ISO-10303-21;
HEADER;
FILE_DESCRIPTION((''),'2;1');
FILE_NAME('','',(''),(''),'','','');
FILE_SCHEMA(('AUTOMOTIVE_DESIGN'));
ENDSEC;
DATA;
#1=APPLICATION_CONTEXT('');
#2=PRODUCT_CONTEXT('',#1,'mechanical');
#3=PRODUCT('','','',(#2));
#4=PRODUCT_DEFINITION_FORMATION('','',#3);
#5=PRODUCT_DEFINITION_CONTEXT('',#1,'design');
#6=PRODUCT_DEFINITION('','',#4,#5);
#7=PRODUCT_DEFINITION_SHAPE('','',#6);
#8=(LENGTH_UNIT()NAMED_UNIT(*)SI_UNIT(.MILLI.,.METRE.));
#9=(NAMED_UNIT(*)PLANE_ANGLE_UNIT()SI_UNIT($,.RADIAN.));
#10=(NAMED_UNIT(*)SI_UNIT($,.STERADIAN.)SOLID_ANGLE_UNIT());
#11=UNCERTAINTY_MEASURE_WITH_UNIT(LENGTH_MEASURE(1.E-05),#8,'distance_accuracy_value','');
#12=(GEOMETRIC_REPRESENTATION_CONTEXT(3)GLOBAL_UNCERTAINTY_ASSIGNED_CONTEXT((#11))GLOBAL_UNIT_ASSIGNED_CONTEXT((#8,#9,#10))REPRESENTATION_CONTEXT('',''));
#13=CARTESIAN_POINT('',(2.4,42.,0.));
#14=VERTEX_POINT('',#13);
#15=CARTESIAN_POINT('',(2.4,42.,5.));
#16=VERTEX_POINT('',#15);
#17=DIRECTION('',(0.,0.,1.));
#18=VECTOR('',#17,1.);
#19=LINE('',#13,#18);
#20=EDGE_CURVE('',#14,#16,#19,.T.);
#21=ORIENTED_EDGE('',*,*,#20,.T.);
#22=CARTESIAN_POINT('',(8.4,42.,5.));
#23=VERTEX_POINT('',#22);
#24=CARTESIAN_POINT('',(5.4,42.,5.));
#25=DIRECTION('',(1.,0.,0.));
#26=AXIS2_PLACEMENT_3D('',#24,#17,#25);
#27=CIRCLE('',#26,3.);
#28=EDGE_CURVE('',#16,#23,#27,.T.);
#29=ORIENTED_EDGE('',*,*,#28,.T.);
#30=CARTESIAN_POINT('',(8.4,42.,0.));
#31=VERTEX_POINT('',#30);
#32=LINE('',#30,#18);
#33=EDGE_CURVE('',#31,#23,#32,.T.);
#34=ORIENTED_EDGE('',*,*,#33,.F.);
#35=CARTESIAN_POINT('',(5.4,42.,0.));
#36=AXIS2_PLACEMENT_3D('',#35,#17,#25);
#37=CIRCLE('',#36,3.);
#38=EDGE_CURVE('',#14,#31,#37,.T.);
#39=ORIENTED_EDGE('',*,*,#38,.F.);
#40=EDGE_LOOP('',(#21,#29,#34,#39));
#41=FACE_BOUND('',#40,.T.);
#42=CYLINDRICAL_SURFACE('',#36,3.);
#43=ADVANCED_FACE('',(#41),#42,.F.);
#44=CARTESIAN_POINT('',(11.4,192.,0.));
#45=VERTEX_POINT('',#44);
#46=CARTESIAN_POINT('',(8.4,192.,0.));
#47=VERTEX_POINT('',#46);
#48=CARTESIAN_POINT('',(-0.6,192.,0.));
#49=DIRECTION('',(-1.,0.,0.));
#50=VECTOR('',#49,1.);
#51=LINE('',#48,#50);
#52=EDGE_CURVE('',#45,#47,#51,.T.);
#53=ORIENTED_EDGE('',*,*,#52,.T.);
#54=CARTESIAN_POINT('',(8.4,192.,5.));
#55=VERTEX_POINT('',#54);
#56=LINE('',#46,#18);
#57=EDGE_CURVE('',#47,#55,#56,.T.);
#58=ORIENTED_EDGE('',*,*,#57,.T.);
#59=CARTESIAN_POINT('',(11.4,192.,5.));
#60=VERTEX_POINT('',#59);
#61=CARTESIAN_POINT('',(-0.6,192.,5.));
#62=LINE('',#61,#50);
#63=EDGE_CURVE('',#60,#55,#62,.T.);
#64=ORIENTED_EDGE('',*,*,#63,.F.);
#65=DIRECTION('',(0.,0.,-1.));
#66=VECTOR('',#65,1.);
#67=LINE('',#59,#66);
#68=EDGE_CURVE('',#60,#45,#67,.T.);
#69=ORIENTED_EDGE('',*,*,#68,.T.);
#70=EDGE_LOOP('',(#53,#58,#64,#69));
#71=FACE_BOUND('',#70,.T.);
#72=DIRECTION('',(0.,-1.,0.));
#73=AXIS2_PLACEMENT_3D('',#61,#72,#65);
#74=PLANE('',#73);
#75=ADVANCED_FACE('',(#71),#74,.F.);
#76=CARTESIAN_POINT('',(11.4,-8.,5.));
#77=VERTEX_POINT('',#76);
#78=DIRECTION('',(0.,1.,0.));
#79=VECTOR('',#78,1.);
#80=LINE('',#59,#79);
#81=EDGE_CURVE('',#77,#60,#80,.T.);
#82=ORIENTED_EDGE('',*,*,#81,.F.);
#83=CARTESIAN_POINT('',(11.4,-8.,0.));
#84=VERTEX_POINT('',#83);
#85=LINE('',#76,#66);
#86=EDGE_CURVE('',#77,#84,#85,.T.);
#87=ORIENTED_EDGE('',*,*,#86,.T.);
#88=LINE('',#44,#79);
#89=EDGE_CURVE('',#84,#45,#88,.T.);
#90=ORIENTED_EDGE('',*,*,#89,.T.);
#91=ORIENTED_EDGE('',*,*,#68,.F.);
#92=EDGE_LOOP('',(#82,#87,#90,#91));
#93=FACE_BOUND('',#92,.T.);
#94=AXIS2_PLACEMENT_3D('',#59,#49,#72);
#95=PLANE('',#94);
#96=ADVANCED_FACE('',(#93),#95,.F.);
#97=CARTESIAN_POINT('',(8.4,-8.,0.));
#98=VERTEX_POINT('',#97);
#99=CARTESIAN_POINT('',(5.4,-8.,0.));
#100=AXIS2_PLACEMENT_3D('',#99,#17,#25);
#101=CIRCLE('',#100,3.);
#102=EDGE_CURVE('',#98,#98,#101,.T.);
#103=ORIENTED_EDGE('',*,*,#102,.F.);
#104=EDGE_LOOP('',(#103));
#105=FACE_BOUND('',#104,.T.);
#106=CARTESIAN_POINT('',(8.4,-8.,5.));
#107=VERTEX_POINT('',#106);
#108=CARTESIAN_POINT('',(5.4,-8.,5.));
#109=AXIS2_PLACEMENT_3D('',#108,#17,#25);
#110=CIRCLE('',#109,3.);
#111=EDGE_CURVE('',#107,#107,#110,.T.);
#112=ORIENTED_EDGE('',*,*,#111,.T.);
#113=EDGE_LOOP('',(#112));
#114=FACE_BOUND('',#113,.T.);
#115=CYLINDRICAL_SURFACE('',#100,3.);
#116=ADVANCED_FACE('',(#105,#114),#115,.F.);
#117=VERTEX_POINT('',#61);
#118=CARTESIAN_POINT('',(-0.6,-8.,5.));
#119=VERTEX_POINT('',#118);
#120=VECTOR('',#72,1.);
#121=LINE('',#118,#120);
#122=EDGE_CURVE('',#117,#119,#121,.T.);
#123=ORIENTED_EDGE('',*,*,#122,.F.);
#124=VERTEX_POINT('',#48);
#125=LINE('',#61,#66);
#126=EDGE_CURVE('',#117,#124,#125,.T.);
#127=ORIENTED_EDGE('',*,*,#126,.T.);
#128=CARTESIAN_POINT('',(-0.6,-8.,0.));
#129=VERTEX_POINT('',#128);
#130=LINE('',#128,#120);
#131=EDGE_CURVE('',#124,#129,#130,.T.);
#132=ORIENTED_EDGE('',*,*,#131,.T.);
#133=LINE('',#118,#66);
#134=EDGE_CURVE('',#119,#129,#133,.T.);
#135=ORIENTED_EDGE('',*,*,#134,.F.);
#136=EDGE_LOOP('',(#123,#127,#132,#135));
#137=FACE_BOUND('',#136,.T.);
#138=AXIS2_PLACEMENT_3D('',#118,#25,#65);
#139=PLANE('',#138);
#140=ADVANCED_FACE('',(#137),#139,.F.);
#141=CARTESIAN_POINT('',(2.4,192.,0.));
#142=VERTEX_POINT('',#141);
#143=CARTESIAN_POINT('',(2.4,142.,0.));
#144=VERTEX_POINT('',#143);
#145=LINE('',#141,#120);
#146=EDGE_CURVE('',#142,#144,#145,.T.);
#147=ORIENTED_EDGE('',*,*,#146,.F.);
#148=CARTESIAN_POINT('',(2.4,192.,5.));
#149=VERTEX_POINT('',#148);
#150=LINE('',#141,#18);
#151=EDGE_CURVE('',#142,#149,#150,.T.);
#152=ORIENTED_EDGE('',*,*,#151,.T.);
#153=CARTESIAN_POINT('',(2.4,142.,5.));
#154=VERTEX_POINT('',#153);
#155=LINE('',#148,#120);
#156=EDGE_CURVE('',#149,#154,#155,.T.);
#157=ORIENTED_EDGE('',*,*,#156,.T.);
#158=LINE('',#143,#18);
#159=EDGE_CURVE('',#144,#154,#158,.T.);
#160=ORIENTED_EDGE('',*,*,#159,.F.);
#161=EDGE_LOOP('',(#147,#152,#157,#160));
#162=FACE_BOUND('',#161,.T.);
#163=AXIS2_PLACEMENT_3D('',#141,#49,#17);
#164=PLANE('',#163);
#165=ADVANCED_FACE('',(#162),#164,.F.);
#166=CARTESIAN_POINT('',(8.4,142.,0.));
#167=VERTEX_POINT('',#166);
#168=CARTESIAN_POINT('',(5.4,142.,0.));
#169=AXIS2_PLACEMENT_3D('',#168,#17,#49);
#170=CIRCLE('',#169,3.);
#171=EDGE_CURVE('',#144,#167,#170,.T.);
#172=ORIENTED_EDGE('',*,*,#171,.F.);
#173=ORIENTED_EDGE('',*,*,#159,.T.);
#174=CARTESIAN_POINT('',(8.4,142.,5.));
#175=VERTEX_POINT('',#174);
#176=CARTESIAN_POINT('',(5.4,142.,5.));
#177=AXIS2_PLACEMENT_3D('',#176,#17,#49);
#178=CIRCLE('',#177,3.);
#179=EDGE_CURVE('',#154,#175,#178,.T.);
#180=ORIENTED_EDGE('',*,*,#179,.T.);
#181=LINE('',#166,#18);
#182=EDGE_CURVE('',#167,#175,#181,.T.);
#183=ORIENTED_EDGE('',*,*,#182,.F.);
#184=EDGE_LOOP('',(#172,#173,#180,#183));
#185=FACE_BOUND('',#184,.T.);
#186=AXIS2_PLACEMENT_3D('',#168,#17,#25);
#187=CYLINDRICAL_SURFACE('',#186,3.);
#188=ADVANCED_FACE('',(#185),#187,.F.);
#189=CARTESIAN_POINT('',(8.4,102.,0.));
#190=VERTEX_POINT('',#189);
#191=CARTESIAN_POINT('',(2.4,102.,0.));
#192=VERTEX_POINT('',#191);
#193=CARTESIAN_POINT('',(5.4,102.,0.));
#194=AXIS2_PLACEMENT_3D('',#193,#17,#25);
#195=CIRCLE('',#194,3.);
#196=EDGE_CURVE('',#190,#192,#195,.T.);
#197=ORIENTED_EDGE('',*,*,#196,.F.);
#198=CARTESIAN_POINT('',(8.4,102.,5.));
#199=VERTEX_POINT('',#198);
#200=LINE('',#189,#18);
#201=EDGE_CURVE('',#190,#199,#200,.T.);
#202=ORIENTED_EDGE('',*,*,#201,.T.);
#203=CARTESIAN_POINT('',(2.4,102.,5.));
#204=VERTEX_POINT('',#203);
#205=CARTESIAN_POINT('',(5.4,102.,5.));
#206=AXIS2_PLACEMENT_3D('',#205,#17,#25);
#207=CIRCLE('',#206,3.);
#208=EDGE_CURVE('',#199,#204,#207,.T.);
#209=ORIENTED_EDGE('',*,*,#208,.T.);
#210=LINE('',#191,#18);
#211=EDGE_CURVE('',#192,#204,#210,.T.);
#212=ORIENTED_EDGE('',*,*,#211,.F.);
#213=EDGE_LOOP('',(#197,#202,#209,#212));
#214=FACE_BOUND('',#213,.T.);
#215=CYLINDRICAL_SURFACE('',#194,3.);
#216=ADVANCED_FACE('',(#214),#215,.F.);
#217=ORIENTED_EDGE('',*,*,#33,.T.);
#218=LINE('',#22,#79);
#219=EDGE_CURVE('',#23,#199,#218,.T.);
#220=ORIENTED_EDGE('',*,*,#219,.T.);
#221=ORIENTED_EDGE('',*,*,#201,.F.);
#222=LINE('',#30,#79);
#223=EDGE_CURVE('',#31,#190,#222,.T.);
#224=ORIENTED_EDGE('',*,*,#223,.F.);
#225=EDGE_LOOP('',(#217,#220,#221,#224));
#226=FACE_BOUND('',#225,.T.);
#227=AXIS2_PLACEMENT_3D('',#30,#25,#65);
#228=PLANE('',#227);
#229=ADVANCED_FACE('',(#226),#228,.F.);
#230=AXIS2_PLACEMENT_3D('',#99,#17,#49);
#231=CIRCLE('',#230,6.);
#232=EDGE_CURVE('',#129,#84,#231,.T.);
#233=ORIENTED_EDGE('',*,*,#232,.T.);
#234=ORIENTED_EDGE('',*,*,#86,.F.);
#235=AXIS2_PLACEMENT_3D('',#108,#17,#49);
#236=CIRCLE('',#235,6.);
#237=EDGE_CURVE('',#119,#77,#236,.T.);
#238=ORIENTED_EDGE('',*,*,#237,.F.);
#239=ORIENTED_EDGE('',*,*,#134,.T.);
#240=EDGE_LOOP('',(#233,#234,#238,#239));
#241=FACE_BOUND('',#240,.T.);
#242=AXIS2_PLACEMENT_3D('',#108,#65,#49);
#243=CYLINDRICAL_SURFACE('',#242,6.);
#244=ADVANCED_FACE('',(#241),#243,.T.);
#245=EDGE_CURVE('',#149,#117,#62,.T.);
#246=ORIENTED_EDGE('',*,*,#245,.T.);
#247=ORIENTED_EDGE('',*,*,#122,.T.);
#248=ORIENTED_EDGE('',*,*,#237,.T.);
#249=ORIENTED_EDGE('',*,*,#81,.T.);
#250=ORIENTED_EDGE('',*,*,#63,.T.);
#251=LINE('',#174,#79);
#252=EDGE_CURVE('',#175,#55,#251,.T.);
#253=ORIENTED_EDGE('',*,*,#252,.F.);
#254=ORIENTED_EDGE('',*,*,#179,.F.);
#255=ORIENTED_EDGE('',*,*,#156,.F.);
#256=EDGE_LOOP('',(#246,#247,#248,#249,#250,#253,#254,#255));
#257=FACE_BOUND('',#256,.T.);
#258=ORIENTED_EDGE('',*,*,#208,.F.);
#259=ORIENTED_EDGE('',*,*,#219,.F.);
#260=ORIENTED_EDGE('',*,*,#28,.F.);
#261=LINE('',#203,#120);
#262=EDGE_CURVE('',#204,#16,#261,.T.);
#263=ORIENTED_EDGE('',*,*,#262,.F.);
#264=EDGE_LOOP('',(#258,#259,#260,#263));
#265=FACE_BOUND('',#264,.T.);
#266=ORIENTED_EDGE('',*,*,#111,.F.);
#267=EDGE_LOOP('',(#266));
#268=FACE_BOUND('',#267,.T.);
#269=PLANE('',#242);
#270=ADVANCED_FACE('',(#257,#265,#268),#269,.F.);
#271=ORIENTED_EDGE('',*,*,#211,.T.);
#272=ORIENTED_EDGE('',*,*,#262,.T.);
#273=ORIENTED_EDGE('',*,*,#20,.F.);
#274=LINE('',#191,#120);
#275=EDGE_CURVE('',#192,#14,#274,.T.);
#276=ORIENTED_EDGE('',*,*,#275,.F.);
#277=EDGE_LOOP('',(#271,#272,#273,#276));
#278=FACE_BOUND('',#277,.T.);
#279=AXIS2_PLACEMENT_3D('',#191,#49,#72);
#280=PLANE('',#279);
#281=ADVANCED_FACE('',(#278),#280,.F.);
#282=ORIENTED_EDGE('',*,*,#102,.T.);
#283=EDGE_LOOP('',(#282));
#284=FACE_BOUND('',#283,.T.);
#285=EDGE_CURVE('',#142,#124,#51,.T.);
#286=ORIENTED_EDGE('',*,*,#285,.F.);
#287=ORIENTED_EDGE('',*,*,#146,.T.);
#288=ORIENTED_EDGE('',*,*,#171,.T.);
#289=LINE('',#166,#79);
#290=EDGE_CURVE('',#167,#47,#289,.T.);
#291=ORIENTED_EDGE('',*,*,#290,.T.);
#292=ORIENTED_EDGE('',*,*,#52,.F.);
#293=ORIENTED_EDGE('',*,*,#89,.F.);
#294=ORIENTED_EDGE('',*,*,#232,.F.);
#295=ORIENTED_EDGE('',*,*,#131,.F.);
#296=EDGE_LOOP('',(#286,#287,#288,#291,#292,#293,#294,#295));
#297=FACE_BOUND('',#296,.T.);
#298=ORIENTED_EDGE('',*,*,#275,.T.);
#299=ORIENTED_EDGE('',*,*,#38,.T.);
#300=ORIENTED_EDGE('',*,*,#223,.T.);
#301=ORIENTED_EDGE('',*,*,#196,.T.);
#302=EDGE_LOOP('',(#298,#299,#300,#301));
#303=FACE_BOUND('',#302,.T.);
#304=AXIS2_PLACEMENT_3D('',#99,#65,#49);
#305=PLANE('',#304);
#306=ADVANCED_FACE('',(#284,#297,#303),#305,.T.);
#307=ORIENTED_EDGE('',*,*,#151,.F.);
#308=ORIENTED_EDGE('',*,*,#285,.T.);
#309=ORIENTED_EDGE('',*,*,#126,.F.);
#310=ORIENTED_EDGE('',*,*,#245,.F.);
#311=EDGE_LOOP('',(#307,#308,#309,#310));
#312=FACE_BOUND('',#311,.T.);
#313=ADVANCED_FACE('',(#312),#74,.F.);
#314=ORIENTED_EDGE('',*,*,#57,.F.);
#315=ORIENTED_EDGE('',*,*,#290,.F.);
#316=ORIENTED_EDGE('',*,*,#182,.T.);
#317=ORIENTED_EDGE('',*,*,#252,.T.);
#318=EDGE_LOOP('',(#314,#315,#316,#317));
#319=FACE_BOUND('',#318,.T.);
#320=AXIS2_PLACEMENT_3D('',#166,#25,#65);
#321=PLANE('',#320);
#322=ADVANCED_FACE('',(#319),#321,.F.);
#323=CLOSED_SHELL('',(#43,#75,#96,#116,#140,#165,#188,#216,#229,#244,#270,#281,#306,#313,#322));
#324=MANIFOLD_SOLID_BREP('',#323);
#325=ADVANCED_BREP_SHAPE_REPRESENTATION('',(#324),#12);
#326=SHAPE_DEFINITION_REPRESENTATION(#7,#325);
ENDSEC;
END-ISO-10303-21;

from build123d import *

# Parameters (mm, degrees)
BOSS_EXTRUDE1_DEPTH = 5
SKETCH2_R           = 3
CUT_EXTRUDE1_DEPTH  = 5
CUT_EXTRUDE2_DEPTH  = 5
CUT_EXTRUDE7_DEPTH  = 5


with BuildPart() as part:
    # Sketch1 → Boss-Extrude1 (new body)
    with BuildSketch(Plane.XY):
        with BuildLine():
            Line((-0.6, -8), (-0.6, 192))
            Line((-0.6, 192), (11.4, 192))
            Line((11.4, 192), (11.4, -8))
            ThreePointArc((11.4, -8), (5.4, -14), (-0.6, -8))
        make_face()
    extrude(amount=BOSS_EXTRUDE1_DEPTH)

    # Sketch2 → Cut-Extrude1 (cut)
    with BuildSketch(Plane.XY.offset(5)):
        with Locations((5.4, -8)):
            Circle(SKETCH2_R)
    extrude(amount=-CUT_EXTRUDE1_DEPTH, mode=Mode.SUBTRACT)

    # Sketch4 → Cut-Extrude2 (cut)
    with BuildSketch(Plane.XY.offset(5)):
        with BuildLine():
            Line((2.4, 102), (2.4, 42))
            ThreePointArc((2.4, 42), (5.4, 39), (8.4, 42))
            Line((8.4, 42), (8.4, 102))
            ThreePointArc((8.4, 102), (5.4, 105), (2.4, 102))
        make_face()
    extrude(amount=-CUT_EXTRUDE2_DEPTH, mode=Mode.SUBTRACT)

    # Sketch5 → Cut-Extrude7 (cut)
    with BuildSketch(Plane.XY.offset(5)):
        with BuildLine():
            Line((2.4, 192), (2.4, 142))
            ThreePointArc((2.4, 142), (5.4, 139), (8.4, 142))
            Line((8.4, 142), (8.4, 192))
            Line((8.4, 192), (2.4, 192))
        make_face()
    extrude(amount=-CUT_EXTRUDE7_DEPTH, mode=Mode.SUBTRACT)


solid = part.part
